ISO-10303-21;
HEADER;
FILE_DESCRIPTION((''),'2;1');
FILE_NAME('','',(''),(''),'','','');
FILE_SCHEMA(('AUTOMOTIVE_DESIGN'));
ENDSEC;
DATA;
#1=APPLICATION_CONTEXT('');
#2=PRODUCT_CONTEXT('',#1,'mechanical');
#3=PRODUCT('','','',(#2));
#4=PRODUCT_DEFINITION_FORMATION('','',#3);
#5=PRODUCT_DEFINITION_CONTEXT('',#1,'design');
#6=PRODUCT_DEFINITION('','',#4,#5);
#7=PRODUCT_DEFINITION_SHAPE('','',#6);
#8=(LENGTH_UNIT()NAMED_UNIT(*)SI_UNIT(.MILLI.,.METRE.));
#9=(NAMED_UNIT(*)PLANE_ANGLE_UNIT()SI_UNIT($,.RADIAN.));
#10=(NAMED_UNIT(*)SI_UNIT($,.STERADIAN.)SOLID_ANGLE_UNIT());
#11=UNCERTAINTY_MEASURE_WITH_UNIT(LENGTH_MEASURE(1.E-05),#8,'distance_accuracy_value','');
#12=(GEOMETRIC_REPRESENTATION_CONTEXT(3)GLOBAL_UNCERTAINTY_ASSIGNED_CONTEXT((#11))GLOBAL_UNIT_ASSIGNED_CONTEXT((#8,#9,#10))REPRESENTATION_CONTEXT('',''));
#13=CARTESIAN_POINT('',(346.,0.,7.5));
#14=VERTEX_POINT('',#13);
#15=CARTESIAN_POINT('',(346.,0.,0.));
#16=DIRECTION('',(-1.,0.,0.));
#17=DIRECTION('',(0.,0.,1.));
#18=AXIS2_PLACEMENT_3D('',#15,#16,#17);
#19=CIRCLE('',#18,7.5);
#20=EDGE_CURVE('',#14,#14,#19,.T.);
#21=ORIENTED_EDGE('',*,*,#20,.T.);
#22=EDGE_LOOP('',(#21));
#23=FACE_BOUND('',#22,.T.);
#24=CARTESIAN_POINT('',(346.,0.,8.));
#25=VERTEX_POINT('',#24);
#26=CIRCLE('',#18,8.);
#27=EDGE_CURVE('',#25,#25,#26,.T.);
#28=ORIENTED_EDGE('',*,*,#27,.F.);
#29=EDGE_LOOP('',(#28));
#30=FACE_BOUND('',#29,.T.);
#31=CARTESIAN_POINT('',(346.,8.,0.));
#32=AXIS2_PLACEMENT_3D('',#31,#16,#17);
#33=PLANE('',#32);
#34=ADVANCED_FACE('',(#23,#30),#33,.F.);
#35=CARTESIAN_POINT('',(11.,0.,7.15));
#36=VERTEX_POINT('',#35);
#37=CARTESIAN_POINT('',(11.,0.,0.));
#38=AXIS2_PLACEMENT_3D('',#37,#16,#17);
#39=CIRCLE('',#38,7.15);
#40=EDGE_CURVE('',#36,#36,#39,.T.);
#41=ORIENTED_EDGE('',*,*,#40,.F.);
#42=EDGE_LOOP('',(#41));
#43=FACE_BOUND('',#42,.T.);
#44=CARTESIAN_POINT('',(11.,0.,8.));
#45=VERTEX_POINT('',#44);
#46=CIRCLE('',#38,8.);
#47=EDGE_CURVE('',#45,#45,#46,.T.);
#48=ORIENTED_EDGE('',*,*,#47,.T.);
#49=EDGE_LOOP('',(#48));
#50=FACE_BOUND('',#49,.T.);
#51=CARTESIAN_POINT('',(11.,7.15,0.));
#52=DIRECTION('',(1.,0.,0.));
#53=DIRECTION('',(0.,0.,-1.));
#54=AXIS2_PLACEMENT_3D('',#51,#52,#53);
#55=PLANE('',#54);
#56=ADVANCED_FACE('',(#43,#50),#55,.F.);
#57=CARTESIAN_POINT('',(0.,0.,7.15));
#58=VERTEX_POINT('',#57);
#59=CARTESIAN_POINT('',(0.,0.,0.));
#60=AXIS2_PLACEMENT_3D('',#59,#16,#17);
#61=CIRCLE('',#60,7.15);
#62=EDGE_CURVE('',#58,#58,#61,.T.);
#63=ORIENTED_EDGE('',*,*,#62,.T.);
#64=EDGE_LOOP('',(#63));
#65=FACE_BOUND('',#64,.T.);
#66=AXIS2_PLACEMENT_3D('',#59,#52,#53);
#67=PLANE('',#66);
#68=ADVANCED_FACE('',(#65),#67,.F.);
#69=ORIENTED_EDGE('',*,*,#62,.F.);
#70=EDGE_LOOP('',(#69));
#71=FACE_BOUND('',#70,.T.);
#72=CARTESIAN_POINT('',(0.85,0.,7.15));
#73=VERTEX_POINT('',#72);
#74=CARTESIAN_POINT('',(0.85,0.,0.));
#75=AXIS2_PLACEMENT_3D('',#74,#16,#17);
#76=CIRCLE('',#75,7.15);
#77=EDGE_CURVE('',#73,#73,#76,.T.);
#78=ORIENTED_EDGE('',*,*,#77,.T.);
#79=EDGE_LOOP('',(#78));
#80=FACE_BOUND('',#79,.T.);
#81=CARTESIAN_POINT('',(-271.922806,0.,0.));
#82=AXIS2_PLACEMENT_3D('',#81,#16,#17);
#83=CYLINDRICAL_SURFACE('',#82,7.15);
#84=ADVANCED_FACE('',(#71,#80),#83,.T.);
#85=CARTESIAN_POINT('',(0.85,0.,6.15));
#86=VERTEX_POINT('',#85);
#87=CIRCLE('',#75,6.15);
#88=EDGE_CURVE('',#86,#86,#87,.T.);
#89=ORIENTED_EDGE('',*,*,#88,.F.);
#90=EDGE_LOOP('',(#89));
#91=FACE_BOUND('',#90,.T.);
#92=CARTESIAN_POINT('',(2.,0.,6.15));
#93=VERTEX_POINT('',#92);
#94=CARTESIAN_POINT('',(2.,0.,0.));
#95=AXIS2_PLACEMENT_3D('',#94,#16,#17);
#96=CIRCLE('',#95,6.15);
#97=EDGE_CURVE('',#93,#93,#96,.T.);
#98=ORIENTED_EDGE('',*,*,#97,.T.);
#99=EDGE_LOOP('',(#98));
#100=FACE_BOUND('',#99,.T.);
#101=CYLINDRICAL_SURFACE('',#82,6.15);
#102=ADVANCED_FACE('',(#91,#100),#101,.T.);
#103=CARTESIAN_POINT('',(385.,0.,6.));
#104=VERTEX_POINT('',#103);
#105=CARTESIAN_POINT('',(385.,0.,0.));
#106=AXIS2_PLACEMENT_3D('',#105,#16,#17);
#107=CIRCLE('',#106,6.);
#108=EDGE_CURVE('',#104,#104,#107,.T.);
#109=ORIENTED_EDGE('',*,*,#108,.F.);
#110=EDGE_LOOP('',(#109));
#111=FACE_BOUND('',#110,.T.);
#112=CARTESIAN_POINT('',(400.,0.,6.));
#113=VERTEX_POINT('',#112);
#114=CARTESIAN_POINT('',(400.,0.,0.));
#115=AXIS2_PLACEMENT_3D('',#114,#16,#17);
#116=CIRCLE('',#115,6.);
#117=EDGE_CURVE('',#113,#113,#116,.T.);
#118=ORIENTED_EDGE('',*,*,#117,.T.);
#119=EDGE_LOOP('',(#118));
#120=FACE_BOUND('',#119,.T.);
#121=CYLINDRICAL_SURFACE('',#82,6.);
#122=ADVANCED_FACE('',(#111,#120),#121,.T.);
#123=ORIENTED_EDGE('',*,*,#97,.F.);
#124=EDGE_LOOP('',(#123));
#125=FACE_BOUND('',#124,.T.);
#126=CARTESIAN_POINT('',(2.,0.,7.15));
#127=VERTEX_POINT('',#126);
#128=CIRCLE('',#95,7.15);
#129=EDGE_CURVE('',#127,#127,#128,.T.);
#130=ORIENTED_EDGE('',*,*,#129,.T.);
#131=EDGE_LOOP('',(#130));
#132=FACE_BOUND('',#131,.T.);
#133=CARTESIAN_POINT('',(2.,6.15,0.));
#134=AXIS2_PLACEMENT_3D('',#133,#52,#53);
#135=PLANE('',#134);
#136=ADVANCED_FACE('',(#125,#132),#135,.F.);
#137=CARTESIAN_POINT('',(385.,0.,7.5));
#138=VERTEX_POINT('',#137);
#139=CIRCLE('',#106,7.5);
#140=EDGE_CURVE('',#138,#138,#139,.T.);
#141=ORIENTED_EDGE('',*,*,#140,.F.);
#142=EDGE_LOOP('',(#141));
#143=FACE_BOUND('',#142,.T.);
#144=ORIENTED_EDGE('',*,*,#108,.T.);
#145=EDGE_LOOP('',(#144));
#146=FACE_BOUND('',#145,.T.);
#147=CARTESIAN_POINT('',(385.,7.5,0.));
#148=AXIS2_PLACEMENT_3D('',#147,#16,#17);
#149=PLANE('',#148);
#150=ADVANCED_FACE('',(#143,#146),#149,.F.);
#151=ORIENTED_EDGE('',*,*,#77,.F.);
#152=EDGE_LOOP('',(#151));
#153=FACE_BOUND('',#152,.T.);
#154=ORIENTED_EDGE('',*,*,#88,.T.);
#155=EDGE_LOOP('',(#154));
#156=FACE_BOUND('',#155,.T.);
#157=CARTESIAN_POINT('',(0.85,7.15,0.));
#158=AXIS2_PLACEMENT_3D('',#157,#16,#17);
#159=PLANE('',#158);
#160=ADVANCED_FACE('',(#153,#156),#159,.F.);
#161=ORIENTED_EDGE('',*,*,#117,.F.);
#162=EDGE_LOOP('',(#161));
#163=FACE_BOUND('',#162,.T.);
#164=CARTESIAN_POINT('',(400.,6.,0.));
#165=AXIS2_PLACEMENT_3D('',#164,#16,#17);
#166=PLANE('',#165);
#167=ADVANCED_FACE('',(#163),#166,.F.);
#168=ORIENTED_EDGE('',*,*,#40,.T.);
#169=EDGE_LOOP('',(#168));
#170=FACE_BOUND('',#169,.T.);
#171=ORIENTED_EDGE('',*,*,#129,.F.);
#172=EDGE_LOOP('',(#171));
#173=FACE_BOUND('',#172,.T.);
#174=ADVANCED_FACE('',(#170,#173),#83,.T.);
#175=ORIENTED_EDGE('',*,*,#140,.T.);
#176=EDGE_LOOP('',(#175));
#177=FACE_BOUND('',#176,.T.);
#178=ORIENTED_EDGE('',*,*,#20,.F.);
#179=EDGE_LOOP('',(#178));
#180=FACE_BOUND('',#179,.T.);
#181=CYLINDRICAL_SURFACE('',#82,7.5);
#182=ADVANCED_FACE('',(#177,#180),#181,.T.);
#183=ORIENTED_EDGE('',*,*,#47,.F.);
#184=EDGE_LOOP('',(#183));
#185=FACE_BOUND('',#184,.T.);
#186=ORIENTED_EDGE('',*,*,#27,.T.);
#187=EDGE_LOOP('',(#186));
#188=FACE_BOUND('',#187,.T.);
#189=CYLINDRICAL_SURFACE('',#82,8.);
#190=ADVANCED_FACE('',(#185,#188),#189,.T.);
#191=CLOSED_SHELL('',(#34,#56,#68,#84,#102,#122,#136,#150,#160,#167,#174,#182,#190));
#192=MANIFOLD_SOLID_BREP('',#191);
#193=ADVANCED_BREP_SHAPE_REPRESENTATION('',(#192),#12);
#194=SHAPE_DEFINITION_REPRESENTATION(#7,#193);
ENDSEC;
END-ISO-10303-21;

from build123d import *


with BuildPart() as part:
    # 草图1 → 旋转1 (revolve)
    with BuildSketch(Plane.XY):
        Polygon((0, 0), (0, 7.15), (0.85, 7.15), (0.85, 6.15), (2, 6.15), (2, 7.15), (11, 7.15), (11, 8), (346, 8), (346, 7.5), (385, 7.5), (385, 6), (400, 6), (400, 0), align=None)
    revolve(axis=Axis((-271.922806095, 0, 0), (1, 0, 0)))


solid = part.part
